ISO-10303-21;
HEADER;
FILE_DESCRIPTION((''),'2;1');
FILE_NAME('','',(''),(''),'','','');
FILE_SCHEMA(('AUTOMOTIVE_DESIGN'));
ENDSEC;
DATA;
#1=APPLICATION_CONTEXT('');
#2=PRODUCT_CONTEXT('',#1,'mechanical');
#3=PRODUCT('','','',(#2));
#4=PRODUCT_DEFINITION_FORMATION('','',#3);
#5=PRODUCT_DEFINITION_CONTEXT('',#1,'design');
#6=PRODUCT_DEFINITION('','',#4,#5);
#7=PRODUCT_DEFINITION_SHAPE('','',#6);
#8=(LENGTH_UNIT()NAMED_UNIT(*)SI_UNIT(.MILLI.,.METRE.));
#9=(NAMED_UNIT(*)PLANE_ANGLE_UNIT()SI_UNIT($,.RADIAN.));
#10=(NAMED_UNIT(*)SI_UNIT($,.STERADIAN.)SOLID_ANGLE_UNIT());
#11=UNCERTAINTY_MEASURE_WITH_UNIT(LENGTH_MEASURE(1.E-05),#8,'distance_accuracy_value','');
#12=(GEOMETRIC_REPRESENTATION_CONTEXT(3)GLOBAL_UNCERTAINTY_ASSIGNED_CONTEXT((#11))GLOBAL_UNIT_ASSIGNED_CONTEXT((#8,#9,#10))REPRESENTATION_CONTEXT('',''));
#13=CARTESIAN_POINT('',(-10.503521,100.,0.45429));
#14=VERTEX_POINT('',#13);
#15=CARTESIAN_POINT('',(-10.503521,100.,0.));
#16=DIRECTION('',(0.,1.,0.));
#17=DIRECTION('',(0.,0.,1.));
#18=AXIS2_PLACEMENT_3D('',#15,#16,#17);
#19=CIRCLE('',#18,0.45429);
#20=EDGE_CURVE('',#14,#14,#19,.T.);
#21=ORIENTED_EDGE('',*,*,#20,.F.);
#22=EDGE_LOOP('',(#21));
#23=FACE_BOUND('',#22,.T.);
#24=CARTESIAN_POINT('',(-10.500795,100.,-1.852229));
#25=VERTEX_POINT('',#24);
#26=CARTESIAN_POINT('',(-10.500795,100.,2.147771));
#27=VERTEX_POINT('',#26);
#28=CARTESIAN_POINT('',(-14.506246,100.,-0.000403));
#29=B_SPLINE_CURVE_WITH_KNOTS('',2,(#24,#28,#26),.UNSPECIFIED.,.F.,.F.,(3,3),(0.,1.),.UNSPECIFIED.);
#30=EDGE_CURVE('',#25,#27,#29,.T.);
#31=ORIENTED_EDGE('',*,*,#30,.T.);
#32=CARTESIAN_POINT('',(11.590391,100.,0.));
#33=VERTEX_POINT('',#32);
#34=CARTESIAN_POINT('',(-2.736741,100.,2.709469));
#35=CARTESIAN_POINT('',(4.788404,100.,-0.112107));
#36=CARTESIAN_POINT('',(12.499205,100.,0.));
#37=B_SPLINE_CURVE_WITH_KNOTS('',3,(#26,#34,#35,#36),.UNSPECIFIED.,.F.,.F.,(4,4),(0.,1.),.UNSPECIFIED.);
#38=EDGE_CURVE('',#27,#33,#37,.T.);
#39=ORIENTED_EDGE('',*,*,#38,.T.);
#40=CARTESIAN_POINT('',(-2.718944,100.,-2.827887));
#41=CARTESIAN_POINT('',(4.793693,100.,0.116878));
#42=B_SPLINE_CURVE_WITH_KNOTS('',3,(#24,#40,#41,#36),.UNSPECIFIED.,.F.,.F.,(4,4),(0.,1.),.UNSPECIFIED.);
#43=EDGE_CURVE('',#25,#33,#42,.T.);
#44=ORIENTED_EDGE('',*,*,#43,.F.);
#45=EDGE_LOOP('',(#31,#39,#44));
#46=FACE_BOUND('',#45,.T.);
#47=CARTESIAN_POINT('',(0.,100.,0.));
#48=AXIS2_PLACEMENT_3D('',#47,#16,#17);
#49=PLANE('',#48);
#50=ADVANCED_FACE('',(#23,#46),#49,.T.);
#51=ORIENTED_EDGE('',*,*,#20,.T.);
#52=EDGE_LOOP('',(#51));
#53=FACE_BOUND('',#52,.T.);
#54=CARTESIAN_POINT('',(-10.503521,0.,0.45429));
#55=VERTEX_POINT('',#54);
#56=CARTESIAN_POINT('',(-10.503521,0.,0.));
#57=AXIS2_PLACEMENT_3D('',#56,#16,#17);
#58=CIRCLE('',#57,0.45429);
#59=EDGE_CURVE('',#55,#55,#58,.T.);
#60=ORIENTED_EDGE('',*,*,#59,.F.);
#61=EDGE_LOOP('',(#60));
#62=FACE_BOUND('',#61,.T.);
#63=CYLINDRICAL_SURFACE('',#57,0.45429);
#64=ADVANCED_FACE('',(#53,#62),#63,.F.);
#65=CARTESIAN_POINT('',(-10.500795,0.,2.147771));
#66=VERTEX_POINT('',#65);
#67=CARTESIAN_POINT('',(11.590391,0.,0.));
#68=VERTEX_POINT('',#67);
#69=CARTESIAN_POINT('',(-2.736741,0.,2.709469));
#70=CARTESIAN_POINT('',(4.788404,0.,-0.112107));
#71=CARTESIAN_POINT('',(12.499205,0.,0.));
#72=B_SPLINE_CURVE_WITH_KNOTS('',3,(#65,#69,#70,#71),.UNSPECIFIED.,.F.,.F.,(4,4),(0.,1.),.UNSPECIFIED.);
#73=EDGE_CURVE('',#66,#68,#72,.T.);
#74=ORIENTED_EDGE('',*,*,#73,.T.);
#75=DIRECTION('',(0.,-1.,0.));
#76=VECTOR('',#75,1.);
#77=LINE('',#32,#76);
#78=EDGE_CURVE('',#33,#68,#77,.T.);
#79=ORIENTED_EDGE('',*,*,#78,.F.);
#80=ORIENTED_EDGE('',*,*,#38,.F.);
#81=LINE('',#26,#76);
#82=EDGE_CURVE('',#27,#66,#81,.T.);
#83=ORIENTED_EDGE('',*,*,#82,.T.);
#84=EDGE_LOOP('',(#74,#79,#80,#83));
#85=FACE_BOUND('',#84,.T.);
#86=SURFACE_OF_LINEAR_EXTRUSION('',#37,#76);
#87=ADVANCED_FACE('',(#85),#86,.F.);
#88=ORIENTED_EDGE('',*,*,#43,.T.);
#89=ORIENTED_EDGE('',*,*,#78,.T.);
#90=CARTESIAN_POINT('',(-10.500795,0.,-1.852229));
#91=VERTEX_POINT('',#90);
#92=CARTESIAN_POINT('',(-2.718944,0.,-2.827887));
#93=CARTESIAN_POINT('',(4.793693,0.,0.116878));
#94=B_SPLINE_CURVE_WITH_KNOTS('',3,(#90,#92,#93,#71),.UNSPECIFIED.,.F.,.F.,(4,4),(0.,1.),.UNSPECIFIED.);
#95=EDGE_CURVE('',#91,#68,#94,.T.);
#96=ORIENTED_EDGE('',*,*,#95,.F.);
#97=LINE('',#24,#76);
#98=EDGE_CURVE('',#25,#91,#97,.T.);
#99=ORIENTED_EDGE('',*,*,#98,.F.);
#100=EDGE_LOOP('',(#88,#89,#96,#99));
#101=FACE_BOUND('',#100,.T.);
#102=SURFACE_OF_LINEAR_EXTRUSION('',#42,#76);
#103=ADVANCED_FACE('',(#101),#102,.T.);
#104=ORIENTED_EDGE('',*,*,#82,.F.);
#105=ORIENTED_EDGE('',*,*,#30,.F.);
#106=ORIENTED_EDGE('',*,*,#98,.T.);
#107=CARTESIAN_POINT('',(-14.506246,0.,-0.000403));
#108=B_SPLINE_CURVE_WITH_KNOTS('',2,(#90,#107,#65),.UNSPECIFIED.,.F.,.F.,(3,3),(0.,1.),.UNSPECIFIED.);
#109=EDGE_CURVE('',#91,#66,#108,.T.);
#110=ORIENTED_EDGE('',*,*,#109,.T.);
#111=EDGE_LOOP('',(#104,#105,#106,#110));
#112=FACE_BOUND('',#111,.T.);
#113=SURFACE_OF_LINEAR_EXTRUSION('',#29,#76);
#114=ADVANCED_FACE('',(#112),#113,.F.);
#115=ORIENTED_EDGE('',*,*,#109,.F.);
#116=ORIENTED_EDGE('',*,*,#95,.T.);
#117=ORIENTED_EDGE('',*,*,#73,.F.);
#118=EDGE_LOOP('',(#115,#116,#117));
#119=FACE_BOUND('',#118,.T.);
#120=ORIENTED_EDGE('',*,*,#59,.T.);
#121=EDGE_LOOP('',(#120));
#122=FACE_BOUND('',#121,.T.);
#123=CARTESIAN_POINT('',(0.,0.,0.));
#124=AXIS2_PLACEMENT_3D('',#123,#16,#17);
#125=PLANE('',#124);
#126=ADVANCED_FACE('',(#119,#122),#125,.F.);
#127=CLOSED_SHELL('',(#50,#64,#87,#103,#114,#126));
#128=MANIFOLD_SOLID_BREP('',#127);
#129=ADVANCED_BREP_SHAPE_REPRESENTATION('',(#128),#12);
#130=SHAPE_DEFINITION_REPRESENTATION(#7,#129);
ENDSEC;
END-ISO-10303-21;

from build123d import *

# Parameters (mm, degrees)
BOSS_EXTRUDE1_DEPTH = 100
SKETCH3_R           = 0.454289721
CUT_EXTRUDE1_DEPTH  = 100


with BuildPart() as part:
    # Sketch2 → Boss-Extrude1 (new body)
    with BuildSketch(Plane(origin=(0, 0, 0), x_dir=(1, 0, 0), z_dir=(0, 1, 0))):
        with BuildLine():
            add(Edge.make_bspline(
                [(-10.500794878, 1.852228916), (-3.025175256, 2.789493096), (4.202001946, 0.108815967), (11.590391562, 0)],
                knots=[0, 0, 0, 0, 0.960648021, 0.960648021, 0.960648021, 0.960648021], degree=3))
            add(Edge.make_bspline(
                [(-10.500794878, 1.852228916), (-14.506246481, 0.000403345), (-10.500794878, -2.147771084)],
                knots=[0, 0, 0, 1, 1, 1], degree=2))
            add(Edge.make_bspline(
                [(-10.500794878, -2.147771084), (-3.042051583, -2.687380656), (4.196203208, -0.104570374), (11.590391562, 0)],
                knots=[0, 0, 0, 0, 0.960676416, 0.960676416, 0.960676416, 0.960676416], degree=3))
        make_face()
    extrude(amount=BOSS_EXTRUDE1_DEPTH)

    # Sketch3 → Cut-Extrude1 (cut)
    with BuildSketch(Plane(origin=(0, 100, 0), x_dir=(1, 0, 0), z_dir=(0, 1, 0))):
        with Locations(Location((-10.50352068, 0, 0), (0, 0, 270))):
            Circle(SKETCH3_R)
    extrude(amount=-CUT_EXTRUDE1_DEPTH, mode=Mode.SUBTRACT)


solid = part.part
